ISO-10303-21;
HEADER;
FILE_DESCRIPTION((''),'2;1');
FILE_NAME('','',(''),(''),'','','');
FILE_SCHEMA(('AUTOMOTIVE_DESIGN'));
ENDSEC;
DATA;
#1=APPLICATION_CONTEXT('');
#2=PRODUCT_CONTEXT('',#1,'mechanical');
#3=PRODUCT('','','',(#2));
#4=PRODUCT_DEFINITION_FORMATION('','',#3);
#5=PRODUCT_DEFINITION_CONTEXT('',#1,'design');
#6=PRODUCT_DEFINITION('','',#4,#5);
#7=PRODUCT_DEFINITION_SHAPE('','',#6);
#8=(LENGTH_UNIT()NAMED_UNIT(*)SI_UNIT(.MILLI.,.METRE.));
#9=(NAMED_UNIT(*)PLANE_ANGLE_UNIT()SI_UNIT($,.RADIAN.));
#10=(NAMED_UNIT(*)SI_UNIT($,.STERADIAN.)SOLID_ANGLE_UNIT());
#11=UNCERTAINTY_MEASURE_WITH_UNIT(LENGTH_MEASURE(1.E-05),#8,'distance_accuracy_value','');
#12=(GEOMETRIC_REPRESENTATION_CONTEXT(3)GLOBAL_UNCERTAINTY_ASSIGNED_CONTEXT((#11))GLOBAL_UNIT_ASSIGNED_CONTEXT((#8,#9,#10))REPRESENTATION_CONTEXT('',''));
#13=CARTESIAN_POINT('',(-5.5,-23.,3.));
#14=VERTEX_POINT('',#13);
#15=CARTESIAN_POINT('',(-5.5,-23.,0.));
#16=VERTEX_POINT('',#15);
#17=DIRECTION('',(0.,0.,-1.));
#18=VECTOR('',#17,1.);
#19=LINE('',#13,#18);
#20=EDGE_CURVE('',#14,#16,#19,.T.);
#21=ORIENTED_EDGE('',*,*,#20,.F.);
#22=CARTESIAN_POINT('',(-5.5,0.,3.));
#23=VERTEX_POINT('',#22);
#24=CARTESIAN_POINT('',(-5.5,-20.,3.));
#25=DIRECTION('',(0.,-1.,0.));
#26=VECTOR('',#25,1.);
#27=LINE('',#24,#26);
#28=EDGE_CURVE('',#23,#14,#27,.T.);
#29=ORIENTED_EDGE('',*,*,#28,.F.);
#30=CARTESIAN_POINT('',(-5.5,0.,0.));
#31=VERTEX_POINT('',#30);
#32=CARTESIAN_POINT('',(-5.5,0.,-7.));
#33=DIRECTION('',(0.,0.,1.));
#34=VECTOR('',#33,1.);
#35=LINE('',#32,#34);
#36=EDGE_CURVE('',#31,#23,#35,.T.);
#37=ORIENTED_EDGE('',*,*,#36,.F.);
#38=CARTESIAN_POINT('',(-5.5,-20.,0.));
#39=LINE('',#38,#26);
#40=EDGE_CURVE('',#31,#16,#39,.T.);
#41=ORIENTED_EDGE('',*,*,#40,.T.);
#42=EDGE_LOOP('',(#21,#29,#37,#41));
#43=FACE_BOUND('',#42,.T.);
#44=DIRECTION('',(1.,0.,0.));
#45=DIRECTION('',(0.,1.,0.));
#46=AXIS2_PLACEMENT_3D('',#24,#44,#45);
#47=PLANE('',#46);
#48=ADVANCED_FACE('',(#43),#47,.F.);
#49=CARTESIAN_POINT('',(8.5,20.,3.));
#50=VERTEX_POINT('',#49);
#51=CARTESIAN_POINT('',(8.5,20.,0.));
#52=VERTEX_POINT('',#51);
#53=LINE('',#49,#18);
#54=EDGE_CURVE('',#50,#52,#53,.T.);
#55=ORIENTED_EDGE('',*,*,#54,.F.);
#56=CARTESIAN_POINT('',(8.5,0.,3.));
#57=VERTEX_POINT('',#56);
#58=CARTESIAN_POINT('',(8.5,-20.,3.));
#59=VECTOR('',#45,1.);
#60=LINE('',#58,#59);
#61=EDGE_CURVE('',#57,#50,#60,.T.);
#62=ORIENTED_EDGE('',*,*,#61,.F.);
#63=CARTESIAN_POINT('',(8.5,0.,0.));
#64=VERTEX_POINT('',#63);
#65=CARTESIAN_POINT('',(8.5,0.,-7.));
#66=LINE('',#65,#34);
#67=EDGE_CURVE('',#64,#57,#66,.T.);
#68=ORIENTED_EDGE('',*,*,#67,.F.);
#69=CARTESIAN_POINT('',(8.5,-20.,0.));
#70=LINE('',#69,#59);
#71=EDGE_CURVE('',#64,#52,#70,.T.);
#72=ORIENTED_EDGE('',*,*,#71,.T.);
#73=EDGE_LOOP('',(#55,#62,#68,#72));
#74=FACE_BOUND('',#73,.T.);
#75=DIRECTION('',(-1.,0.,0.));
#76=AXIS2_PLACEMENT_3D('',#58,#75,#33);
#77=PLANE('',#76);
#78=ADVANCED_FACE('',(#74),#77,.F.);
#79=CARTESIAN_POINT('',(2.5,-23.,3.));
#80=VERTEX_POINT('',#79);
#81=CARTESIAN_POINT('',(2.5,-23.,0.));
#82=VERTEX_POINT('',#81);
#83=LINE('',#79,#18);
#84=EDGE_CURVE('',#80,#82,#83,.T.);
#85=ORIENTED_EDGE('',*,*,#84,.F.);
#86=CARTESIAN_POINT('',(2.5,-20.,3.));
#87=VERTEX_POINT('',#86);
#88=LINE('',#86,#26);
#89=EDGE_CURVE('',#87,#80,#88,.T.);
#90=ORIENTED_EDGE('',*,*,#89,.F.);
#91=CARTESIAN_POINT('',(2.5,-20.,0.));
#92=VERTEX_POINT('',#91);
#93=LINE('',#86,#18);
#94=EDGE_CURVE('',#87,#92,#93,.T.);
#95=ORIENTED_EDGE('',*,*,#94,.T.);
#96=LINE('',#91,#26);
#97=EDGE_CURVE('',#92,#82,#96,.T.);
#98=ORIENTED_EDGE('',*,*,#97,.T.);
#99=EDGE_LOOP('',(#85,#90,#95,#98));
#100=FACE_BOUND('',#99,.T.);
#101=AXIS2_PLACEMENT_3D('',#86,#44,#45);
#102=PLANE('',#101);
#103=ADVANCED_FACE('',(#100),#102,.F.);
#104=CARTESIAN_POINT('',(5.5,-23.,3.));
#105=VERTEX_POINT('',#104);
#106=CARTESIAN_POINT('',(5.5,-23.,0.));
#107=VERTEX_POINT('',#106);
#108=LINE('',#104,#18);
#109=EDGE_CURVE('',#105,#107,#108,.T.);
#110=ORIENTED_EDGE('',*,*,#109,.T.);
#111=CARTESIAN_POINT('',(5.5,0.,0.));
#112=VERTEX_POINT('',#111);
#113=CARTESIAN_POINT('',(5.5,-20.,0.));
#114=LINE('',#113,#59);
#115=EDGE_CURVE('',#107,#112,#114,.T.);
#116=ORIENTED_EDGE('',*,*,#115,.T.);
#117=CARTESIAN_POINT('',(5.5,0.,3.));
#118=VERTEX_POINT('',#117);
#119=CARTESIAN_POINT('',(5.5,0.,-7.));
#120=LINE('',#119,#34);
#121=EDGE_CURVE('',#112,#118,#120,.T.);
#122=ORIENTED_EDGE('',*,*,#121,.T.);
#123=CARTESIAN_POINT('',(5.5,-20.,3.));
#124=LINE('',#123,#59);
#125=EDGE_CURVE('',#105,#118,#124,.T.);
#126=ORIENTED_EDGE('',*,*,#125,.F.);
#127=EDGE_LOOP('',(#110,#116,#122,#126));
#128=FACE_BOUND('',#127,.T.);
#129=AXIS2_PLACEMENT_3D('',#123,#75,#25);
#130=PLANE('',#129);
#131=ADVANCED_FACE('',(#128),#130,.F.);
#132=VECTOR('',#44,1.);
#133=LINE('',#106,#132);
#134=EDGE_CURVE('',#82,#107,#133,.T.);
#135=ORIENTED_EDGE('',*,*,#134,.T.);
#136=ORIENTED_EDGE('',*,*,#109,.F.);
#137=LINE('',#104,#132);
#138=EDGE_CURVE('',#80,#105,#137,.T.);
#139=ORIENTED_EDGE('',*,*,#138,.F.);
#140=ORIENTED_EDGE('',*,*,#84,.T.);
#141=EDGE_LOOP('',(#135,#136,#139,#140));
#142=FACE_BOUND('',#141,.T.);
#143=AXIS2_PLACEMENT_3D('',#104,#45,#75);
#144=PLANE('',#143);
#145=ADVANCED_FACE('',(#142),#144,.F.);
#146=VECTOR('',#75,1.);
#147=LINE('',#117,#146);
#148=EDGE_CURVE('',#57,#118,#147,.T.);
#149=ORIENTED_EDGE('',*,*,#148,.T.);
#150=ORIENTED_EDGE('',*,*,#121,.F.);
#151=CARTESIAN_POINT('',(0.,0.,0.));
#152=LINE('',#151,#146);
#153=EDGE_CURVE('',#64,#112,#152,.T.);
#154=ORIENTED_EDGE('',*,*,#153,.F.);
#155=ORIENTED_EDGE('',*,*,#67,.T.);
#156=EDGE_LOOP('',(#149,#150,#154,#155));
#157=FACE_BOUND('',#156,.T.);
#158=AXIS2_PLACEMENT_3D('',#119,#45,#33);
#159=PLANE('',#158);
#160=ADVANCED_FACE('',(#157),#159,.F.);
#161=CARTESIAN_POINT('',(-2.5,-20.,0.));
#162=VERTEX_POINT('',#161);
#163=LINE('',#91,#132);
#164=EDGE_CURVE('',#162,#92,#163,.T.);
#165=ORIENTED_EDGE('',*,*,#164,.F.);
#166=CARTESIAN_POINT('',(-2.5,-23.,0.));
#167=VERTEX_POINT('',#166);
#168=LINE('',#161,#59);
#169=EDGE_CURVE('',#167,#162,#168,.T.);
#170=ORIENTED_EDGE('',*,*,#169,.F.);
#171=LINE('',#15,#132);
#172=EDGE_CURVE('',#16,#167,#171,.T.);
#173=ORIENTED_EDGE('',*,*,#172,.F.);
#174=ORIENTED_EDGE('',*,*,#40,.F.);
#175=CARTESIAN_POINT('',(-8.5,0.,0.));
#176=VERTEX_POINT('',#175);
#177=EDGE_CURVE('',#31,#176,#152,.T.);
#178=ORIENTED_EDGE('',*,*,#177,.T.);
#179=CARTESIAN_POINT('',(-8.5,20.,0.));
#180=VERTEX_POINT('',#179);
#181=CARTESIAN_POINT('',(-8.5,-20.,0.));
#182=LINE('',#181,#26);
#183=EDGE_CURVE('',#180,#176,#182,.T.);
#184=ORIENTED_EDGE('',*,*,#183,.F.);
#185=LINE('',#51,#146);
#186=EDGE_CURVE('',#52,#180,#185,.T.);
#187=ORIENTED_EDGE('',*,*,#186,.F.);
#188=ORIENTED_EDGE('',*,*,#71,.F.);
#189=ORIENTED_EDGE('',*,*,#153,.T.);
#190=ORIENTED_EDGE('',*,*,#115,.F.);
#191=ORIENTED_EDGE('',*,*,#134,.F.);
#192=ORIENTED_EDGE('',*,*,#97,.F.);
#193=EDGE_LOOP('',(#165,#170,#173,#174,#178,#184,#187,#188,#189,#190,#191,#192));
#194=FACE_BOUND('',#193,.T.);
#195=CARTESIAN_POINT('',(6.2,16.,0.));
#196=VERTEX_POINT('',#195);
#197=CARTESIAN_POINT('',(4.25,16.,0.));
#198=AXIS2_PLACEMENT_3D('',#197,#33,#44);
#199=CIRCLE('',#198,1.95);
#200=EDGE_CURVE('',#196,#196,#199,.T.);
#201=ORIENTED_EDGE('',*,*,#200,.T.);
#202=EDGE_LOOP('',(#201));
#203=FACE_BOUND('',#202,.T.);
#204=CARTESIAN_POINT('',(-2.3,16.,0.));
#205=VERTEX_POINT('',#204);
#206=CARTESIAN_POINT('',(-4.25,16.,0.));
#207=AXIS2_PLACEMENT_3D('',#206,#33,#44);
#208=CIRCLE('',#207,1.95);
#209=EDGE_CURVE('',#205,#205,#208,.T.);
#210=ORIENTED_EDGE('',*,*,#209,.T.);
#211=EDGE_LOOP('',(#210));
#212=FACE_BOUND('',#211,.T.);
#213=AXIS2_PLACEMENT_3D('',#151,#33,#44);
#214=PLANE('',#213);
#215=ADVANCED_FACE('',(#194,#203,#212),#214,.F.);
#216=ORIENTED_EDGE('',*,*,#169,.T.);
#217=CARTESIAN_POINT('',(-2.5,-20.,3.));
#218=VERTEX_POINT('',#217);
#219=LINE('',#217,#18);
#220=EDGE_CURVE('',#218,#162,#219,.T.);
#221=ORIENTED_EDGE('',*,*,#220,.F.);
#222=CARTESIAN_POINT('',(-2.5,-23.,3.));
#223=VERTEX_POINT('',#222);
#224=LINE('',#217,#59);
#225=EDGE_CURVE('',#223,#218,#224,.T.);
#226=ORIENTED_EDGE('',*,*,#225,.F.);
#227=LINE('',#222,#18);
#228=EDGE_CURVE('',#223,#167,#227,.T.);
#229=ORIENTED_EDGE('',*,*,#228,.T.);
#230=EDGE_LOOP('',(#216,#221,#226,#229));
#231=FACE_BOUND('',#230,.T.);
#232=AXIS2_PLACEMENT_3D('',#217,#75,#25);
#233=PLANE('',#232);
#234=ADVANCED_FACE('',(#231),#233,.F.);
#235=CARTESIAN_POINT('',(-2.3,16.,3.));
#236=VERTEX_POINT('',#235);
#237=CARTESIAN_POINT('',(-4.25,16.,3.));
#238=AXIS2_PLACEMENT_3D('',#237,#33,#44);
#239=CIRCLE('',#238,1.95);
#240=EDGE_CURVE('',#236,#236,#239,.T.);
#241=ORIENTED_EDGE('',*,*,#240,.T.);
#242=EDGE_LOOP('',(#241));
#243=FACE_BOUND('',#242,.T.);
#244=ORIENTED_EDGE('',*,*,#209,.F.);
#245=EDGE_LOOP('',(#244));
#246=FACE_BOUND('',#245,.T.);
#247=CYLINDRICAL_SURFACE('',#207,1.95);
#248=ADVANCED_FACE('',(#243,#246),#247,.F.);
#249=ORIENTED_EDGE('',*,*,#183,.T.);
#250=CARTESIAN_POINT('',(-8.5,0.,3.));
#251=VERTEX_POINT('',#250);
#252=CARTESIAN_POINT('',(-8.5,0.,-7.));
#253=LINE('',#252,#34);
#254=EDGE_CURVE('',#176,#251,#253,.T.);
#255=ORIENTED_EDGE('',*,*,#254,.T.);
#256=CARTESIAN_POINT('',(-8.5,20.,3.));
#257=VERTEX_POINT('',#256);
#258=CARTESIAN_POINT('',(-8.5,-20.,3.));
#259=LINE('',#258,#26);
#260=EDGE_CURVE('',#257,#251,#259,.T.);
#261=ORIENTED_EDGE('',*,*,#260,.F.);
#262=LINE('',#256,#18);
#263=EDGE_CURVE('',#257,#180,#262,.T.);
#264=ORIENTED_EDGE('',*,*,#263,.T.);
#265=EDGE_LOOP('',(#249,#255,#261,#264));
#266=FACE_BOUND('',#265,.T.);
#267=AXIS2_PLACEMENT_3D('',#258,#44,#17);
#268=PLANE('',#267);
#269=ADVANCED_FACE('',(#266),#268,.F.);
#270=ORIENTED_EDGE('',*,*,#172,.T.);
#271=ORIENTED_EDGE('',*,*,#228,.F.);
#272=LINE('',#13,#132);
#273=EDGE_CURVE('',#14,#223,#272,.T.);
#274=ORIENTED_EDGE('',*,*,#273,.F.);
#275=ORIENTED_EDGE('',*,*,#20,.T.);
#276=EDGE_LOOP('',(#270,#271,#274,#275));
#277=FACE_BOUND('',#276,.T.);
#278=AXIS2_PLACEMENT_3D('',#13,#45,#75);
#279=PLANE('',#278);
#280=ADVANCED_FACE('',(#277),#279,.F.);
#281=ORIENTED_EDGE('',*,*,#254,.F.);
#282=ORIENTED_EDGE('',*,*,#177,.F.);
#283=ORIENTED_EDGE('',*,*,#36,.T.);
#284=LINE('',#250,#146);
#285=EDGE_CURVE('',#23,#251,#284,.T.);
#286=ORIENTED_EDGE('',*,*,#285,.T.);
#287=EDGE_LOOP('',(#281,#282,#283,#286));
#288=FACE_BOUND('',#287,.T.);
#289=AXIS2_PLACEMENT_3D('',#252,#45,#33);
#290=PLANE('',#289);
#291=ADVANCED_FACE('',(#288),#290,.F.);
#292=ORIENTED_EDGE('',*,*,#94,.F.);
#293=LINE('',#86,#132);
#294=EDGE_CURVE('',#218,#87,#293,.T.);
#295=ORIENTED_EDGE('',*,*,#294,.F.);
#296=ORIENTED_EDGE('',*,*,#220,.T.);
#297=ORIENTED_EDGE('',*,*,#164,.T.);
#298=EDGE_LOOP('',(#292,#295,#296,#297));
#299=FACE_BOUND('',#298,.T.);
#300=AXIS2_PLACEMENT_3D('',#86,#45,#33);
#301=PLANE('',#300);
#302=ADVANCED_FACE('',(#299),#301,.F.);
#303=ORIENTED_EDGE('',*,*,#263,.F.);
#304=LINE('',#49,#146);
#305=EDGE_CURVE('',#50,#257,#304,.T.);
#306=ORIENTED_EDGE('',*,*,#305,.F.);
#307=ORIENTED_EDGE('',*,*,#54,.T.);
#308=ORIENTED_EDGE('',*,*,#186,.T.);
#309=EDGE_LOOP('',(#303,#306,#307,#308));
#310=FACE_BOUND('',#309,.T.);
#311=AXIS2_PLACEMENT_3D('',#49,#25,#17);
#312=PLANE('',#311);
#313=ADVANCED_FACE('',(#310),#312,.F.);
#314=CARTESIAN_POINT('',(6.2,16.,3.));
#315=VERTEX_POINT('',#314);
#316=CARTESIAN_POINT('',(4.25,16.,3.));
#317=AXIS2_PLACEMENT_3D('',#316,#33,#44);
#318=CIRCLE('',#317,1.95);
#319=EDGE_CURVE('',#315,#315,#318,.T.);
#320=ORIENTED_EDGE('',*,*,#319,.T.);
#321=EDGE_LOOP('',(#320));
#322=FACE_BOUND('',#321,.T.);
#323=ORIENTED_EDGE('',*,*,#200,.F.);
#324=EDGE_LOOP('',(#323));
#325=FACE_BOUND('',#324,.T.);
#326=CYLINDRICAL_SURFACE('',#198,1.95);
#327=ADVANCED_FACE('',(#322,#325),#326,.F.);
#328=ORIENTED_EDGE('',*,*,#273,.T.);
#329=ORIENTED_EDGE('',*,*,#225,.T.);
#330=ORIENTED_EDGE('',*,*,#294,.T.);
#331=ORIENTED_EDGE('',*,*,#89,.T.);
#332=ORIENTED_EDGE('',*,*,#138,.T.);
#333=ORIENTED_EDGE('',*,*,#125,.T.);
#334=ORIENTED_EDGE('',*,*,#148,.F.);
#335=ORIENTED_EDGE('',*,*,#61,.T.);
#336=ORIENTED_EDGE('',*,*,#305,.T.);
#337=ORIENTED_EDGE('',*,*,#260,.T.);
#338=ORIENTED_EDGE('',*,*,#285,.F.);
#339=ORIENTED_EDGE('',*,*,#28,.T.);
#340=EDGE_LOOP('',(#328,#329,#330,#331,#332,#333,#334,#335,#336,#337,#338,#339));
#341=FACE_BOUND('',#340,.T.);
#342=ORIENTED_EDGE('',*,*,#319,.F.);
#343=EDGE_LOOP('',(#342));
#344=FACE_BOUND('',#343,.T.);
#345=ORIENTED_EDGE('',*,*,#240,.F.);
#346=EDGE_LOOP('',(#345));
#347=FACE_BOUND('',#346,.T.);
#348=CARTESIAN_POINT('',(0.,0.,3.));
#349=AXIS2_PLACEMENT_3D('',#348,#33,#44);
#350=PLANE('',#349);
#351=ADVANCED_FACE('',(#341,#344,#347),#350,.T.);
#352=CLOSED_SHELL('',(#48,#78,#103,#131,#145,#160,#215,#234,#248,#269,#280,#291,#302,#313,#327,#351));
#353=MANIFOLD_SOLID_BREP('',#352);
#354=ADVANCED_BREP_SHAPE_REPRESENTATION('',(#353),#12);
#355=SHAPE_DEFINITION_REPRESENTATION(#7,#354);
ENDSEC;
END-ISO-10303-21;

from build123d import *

# Parameters (mm, degrees)
BOSS_EXTRUDE1_DEPTH = 3
SKETCH2_R           = 1.95
CUT_EXTRUDE1_DEPTH  = 25.703238654
SKETCH3_W           = 3
SKETCH3_H           = 4
CUT_EXTRUDE2_DEPTH  = 25.703238654
SKETCH4_W           = 3
SKETCH4_H           = 16
CUT_EXTRUDE3_DEPTH  = 10


with BuildPart() as part:
    # Sketch1 → Boss-Extrude1 (new body)
    with BuildSketch(Plane.XY):
        Polygon((8.5, -20), (5.5, -20), (5.5, -23), (2.5, -23), (2.5, -20), (-2.5, -20), (-2.5, -23), (-5.5, -23), (-5.5, -20), (-8.5, -20), (-8.5, 20), (8.5, 20), align=None)
    extrude(amount=BOSS_EXTRUDE1_DEPTH)

    # Sketch2 → Cut-Extrude1 (cut, through all)
    with BuildSketch(Plane.XY.offset(3)):
        with Locations((-4.25, 16)):
            Circle(SKETCH2_R)
        with Locations((4.25, 16)):
            Circle(SKETCH2_R)
    extrude(amount=-CUT_EXTRUDE1_DEPTH, mode=Mode.SUBTRACT)

    # Sketch3 → Cut-Extrude2 (cut, through all)
    with BuildSketch(Plane.XY.offset(3)):
        with Locations((-7, -18)):
            Rectangle(SKETCH3_W, SKETCH3_H)
        with Locations((7, -18)):
            Rectangle(SKETCH3_W, SKETCH3_H)
    extrude(amount=-CUT_EXTRUDE2_DEPTH, mode=Mode.SUBTRACT)

    # Sketch4 → Cut-Extrude3 (cut)
    with BuildSketch(Plane.XY.offset(3)):
        with Locations((-7, -8)):
            Rectangle(SKETCH4_W, SKETCH4_H)
        with Locations((7, -8)):
            Rectangle(SKETCH4_W, SKETCH4_H)
    extrude(amount=-CUT_EXTRUDE3_DEPTH, mode=Mode.SUBTRACT)


solid = part.part
